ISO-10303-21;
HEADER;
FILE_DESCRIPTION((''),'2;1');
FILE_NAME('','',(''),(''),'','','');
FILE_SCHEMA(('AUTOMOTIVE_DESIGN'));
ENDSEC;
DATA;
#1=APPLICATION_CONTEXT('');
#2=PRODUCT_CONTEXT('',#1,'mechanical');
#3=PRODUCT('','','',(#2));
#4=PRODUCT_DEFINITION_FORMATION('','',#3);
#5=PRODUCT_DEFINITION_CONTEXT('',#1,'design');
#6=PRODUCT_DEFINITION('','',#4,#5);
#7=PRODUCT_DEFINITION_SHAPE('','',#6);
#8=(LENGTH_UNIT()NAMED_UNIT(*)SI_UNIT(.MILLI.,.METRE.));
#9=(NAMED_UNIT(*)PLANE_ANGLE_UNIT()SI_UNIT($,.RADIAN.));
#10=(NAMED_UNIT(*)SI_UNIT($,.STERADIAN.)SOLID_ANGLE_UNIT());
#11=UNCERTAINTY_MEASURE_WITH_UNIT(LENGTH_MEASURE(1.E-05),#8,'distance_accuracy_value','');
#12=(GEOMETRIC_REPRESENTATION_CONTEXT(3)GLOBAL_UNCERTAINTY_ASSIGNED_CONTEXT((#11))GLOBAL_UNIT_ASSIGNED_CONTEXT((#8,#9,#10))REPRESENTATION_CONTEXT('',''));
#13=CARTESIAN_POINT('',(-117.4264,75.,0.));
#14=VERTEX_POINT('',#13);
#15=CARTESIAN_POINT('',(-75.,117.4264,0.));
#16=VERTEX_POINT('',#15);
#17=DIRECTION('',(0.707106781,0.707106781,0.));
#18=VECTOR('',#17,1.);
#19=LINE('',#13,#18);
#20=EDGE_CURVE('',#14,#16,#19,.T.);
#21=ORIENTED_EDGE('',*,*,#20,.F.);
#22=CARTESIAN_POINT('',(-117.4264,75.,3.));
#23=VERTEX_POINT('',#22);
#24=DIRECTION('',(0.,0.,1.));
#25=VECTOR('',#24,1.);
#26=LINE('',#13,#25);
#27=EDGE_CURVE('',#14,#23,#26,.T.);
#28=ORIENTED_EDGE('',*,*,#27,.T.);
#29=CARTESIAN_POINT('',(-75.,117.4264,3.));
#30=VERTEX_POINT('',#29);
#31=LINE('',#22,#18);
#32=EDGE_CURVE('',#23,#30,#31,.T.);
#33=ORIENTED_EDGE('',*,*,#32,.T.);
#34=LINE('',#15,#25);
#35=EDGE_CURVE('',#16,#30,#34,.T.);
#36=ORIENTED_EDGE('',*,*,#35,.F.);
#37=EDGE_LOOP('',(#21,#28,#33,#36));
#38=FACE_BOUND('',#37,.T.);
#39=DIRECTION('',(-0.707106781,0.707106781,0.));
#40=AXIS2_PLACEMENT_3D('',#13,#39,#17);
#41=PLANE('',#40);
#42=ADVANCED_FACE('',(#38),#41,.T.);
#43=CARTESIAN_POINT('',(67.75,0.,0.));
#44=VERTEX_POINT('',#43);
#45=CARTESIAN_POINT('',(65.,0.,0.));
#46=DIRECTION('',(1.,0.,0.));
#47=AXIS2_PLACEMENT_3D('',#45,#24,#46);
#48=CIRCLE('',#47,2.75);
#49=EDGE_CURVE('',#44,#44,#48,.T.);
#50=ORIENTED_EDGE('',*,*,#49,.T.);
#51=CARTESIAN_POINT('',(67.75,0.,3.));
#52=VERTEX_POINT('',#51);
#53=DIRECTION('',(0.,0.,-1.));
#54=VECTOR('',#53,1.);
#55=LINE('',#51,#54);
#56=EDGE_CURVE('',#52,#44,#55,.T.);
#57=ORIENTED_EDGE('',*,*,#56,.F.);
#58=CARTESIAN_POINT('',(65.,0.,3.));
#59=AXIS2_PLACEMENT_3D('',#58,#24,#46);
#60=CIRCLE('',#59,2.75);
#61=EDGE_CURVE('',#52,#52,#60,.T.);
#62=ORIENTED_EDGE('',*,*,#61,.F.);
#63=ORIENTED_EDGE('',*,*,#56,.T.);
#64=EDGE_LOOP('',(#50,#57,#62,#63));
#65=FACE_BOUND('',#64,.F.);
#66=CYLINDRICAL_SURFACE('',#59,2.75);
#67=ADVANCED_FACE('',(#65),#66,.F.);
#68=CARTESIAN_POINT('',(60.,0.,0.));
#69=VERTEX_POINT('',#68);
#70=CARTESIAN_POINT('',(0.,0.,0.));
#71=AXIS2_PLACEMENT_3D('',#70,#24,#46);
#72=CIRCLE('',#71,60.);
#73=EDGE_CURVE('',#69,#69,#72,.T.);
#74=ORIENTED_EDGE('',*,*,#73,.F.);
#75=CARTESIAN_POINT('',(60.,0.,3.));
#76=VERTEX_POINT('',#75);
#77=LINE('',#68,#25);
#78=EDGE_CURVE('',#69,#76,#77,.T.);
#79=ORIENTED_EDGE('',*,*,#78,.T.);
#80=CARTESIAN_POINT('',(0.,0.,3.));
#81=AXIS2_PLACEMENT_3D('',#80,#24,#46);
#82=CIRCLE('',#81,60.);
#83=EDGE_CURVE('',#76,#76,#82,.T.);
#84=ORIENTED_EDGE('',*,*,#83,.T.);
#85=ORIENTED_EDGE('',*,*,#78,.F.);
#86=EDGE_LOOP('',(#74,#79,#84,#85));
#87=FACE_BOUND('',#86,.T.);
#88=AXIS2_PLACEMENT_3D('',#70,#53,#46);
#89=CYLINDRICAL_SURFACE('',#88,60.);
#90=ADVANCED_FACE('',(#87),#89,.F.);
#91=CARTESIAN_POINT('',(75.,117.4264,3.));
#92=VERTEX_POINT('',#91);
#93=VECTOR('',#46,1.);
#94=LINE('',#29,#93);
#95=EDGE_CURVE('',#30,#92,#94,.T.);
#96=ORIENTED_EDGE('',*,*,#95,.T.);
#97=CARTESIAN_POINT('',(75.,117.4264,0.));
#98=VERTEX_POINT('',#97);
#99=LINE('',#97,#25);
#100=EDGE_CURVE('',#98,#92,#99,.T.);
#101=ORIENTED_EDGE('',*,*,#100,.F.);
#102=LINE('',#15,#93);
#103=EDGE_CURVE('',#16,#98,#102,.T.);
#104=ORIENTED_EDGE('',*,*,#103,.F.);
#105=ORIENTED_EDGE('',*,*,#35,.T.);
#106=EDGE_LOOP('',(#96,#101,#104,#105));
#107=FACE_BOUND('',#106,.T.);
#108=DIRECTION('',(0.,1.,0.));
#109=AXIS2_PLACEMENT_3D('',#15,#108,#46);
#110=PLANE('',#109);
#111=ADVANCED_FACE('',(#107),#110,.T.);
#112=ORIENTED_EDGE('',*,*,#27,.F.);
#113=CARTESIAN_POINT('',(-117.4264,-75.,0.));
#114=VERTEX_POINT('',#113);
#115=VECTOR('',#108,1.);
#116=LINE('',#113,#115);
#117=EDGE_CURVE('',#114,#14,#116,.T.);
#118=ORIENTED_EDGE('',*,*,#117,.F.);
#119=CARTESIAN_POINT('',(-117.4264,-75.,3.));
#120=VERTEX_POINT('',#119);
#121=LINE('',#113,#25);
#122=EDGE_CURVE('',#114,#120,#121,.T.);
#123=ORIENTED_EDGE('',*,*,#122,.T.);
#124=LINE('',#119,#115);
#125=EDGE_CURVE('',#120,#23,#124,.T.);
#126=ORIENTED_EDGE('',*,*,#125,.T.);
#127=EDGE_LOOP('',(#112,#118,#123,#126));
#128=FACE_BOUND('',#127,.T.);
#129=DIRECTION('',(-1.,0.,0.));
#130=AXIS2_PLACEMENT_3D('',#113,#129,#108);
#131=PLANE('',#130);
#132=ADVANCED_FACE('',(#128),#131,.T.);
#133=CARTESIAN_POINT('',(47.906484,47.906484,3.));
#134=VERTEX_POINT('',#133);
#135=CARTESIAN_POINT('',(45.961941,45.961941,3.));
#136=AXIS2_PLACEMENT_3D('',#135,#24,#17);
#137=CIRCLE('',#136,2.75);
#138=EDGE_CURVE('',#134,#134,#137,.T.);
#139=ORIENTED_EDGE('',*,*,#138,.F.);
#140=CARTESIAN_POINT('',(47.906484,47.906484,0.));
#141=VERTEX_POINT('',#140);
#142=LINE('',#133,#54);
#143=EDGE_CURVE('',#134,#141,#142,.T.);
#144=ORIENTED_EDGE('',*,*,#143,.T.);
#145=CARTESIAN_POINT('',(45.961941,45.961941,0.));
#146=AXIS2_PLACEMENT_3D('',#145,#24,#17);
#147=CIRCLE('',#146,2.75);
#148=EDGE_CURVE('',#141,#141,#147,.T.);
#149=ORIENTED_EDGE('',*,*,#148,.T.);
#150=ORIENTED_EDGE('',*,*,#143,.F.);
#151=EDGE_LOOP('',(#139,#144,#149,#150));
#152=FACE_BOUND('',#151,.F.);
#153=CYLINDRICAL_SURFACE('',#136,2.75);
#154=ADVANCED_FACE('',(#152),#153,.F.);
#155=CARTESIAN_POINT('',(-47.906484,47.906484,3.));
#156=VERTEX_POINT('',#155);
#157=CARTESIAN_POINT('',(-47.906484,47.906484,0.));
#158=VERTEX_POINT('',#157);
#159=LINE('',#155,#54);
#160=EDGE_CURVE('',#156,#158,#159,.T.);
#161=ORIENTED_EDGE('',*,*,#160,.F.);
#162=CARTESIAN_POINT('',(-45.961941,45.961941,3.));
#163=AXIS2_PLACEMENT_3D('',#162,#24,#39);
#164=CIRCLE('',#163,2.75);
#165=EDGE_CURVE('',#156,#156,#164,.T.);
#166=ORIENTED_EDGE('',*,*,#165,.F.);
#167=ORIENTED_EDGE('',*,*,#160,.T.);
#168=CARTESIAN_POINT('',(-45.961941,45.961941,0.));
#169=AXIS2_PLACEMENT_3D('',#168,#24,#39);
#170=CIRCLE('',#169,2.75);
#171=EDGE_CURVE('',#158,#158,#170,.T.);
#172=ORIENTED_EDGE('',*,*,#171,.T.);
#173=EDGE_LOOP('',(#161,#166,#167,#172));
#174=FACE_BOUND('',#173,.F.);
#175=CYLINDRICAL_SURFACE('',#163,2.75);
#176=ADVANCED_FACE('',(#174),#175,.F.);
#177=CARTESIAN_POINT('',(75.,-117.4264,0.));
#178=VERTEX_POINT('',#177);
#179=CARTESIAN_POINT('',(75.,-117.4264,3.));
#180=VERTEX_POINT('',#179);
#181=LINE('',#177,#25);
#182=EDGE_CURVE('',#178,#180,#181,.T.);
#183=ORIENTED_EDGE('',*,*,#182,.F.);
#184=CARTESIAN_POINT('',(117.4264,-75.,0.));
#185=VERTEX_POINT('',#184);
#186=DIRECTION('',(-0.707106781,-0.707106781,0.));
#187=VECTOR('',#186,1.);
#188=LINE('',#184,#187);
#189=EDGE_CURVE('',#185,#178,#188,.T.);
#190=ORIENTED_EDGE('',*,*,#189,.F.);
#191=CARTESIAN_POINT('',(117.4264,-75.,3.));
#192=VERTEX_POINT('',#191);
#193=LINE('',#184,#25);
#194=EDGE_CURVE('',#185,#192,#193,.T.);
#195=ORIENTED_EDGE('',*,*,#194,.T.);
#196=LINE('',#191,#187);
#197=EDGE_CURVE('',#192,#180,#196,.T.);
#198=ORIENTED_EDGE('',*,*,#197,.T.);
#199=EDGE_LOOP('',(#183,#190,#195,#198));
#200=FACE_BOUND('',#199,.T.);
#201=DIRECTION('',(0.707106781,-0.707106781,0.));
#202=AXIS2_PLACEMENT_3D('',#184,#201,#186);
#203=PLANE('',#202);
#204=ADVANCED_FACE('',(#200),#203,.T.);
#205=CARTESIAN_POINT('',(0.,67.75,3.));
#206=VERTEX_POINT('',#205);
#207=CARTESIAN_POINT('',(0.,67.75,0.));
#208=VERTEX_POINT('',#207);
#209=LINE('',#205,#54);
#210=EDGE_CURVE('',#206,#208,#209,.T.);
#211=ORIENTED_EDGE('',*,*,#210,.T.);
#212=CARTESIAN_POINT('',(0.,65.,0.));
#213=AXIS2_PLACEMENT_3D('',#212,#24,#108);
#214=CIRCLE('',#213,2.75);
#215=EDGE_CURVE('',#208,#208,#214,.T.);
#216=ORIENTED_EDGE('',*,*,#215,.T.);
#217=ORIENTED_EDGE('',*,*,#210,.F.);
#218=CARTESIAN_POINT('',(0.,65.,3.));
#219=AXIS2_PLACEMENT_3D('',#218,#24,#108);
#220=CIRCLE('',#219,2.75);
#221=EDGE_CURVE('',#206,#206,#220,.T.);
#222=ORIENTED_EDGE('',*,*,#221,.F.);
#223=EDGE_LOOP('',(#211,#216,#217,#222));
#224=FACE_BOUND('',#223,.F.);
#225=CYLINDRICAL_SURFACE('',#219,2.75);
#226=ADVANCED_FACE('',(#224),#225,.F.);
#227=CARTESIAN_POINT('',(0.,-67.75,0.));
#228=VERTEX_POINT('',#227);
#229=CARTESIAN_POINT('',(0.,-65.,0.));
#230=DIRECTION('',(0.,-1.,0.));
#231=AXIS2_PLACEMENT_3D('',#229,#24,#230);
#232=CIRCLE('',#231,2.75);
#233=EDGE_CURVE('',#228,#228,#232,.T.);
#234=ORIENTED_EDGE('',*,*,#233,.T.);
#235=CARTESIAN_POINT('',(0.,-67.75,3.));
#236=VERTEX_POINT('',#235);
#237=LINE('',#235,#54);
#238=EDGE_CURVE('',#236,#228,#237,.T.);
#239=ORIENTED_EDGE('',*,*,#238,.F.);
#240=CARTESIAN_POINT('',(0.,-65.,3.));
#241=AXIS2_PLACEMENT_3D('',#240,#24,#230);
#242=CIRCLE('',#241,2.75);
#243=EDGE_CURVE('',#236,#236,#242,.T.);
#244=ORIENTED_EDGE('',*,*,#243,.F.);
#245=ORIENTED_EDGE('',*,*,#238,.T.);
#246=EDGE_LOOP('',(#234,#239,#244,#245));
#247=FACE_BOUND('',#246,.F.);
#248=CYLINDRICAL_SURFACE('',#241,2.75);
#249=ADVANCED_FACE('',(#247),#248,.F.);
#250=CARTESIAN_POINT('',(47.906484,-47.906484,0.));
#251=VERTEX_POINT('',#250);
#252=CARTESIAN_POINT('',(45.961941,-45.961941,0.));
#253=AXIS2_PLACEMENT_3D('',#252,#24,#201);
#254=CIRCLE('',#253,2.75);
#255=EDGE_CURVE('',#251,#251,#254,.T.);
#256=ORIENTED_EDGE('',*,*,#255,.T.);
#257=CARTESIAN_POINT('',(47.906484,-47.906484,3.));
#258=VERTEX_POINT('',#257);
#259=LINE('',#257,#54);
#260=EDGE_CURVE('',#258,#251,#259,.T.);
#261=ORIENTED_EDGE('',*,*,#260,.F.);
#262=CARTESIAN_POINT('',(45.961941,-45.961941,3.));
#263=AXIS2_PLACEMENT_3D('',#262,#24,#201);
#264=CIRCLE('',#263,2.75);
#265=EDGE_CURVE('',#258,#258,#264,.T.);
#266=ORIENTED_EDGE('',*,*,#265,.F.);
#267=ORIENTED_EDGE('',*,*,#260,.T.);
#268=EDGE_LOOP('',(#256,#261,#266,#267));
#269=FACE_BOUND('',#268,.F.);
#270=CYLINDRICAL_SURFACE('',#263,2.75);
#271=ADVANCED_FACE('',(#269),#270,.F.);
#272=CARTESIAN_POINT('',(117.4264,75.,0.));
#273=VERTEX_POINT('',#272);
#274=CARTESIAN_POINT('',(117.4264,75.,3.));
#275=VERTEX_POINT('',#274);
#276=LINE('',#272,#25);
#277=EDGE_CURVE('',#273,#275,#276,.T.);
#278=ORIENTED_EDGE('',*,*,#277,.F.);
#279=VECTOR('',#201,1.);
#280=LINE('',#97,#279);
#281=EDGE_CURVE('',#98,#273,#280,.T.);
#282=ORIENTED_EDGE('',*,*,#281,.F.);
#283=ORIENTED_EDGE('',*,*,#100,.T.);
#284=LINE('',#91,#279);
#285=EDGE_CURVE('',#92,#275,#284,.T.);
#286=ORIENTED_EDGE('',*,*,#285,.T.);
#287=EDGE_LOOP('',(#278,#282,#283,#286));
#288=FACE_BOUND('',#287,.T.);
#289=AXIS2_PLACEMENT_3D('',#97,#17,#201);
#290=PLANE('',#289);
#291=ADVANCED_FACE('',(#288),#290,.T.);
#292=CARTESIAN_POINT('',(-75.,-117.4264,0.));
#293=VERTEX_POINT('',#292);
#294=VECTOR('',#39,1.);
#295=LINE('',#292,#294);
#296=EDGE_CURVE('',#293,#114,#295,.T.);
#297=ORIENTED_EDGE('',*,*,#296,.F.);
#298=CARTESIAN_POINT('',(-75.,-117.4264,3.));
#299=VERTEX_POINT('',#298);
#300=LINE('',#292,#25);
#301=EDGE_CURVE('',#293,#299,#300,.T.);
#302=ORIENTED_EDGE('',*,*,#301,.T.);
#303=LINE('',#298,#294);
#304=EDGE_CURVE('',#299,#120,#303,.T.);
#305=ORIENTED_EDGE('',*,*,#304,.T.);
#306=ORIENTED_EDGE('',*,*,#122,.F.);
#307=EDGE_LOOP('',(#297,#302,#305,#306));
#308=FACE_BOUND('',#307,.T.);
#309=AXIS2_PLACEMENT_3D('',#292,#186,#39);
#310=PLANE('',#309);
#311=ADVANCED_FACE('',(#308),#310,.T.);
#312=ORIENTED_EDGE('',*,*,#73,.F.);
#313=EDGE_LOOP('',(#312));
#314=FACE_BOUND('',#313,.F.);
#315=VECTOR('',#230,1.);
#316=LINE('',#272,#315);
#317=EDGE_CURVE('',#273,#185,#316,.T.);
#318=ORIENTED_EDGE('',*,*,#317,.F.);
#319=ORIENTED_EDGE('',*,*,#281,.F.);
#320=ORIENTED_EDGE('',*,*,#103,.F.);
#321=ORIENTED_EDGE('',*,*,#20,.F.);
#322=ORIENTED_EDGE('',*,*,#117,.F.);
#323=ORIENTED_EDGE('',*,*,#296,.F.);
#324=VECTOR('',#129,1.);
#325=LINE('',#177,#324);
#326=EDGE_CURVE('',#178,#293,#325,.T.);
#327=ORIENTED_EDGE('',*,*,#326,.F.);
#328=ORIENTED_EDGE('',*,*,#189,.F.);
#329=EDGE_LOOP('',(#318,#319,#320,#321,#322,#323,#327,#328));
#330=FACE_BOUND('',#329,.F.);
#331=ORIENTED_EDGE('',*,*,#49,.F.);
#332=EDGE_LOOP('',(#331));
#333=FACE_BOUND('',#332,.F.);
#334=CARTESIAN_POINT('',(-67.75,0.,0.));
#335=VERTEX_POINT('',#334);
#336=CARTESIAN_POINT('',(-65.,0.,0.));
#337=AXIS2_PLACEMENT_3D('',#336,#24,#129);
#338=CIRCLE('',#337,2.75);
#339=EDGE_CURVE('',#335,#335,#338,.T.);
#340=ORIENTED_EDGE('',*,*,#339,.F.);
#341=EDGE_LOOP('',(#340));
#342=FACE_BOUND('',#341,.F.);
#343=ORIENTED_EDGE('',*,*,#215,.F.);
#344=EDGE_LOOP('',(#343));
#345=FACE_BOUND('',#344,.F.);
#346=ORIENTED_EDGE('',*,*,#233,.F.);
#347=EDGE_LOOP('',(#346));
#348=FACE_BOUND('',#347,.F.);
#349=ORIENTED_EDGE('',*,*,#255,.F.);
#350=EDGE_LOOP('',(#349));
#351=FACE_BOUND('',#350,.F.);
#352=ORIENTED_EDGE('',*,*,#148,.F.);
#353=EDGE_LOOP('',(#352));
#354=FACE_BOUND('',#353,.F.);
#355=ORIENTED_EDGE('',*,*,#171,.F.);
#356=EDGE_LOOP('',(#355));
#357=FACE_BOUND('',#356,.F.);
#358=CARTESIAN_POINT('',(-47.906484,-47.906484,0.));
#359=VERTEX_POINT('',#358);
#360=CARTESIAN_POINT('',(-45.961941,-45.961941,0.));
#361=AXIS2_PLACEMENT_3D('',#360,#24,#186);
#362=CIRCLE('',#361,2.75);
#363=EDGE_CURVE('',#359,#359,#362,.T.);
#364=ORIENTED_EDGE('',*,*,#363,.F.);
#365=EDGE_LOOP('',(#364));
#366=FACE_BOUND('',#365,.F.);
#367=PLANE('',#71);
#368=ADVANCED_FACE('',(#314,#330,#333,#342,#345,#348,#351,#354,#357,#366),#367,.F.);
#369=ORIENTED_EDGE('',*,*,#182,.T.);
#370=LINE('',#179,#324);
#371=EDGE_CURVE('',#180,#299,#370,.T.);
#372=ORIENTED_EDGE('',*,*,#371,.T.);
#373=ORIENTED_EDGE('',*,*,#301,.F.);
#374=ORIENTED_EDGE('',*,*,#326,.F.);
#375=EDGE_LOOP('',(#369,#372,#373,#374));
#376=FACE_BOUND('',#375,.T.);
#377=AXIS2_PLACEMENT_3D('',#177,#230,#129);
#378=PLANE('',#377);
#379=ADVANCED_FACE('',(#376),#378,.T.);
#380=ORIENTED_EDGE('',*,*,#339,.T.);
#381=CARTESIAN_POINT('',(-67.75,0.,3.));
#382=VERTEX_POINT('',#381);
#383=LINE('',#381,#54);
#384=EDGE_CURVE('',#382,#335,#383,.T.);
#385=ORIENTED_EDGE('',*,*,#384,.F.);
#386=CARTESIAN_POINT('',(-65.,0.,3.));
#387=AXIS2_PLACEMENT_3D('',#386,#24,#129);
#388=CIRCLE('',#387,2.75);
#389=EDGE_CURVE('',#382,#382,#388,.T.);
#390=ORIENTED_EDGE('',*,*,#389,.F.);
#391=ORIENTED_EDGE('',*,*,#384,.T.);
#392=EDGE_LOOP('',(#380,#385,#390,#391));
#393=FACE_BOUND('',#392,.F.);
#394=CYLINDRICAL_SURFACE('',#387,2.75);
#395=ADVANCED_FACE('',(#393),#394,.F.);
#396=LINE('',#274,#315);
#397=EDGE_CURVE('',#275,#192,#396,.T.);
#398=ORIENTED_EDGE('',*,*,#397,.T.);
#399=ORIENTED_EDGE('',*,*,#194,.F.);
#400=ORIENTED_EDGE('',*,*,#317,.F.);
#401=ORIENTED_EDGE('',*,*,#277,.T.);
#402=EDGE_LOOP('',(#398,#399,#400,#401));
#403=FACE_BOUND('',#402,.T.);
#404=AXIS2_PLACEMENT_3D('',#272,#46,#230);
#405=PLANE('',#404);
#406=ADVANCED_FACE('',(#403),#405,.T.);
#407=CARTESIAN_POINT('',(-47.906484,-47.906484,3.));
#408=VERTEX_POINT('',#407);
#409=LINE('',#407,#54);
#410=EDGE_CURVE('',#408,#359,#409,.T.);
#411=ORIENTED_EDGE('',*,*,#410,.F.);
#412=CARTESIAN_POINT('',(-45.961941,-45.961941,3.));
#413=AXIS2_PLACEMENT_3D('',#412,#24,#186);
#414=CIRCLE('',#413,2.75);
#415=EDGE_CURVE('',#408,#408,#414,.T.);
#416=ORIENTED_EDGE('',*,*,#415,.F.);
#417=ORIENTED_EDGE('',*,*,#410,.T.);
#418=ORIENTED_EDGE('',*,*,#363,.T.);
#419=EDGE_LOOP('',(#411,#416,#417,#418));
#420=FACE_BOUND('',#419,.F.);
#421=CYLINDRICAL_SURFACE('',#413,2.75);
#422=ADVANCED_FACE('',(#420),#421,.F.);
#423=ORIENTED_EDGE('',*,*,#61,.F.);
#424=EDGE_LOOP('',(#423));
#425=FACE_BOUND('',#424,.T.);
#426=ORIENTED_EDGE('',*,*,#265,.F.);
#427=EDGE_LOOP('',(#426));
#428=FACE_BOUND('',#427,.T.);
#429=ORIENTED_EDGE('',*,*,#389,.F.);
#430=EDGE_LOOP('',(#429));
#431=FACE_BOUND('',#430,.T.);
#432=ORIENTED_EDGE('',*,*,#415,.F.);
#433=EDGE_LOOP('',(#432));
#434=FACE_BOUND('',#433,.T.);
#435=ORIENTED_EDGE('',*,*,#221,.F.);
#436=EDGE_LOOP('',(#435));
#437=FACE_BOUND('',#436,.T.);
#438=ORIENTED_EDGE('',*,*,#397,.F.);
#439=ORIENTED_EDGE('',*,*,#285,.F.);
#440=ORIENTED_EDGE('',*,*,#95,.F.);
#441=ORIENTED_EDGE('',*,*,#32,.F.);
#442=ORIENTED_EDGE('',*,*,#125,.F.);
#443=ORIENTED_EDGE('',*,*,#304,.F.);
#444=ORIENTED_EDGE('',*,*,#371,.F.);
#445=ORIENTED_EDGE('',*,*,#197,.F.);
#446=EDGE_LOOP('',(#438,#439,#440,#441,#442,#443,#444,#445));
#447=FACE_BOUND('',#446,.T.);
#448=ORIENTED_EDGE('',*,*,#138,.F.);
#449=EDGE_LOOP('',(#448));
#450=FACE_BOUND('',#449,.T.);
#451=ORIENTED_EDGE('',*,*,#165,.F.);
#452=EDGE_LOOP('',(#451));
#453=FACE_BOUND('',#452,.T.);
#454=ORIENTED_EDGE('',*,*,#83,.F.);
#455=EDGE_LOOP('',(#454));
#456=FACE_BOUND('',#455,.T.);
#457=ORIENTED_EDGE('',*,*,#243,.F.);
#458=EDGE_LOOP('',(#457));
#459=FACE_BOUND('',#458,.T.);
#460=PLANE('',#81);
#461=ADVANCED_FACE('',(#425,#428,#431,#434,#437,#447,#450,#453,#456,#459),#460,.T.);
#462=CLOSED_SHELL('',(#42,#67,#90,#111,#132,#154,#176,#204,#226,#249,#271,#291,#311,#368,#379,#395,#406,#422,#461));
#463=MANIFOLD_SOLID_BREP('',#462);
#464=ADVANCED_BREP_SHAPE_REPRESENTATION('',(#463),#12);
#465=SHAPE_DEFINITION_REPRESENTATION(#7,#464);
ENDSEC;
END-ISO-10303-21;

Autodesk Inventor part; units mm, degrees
ref_plane "YZ Plane" through (0, 0, 0) normal (1, 0, 0) x (0, 1, 0)
ref_plane "XZ Plane" through (0, 0, 0) normal (0, 1, 0) x (-1, 0, 0)
ref_plane "XY Plane" through (0, 0, 0) normal (0, 0, 1) x (1, 0, 0)
sketch "Sketch1" plane through (0, 0, 0) normal (0, 0, 1) x (1, 0, 0)
  circle A0 centre (0, 0) radius 60
  line L0 (-117.4264, -75) -> (-117.4264, 75)
  line L1 (-117.4264, 75) -> (-75, 117.4264)
  line L2 (-75, 117.4264) -> (75, 117.4264)
  line L3 (75, 117.4264) -> (117.4264, 75)
  line L4 (117.4264, 75) -> (117.4264, -75)
  line L5 (117.4264, -75) -> (75, -117.4264)
  line L6 (75, -117.4264) -> (-75, -117.4264)
  line L7 (-75, -117.4264) -> (-117.4264, -75)
  point P0 (-117.4264, 0)
  point P1 (117.4264, 0)
  point P2 (0, 117.4264)
  point P3 (0, -117.4264)
  dimension "d2" = 3
  dimension "d22" = 120
  dimension "d33" = 150
  dimension "d35" = 60
extrude "Plate1" add sketch "Sketch1" along normal blind 3
sketch "Sketch6" plane through (0, 0, 3) normal (0, 0, 1) x (1, 0, 0)
  circle A0 centre (0, 0) radius 65 construction
  circle A1 centre (65, 0) radius 2.75
  dimension "d2" = 3
  dimension "d36" = 130
  dimension "d37" = 5.5
extrude "Cut2" cut sketch "Sketch6" against normal blind 3
pattern_circular "Circular Pattern2" count 8 over 360 about axis through (0, 0, -10) along (0, 0, 1) of "Cut2"
equation "\"d2\" = Thickness"
equation "\"d33\" = Wall_1_width"
equation "\"d35\" = Wall_2_width"
equation "\"d38\" = Thickness"
equation "\"BendReliefWidth\" = Thickness"
equation "\"BendReliefDepth\" = 0.5 * Thickness"
equation "\"CornerReliefSize\" = 4 * Thickness"
equation "\"MinimumRemnant\" = 2 * Thickness"
equation "\"TransitionRadius\" = BendRadius"
equation "\"JacobiRadiusSize\" = BendRadius"
equation "\"GapSize\" = Thickness"
equation "\"Thickness\" = 3"
equation "\"Wall_1_width\" = 150"
equation "\"Wall_2_width\" = 60"
equation "\"BendRadius\" = 5"
properties part number "TKS 3555 BOTTOM DS cup" material "Stainless Steel"
